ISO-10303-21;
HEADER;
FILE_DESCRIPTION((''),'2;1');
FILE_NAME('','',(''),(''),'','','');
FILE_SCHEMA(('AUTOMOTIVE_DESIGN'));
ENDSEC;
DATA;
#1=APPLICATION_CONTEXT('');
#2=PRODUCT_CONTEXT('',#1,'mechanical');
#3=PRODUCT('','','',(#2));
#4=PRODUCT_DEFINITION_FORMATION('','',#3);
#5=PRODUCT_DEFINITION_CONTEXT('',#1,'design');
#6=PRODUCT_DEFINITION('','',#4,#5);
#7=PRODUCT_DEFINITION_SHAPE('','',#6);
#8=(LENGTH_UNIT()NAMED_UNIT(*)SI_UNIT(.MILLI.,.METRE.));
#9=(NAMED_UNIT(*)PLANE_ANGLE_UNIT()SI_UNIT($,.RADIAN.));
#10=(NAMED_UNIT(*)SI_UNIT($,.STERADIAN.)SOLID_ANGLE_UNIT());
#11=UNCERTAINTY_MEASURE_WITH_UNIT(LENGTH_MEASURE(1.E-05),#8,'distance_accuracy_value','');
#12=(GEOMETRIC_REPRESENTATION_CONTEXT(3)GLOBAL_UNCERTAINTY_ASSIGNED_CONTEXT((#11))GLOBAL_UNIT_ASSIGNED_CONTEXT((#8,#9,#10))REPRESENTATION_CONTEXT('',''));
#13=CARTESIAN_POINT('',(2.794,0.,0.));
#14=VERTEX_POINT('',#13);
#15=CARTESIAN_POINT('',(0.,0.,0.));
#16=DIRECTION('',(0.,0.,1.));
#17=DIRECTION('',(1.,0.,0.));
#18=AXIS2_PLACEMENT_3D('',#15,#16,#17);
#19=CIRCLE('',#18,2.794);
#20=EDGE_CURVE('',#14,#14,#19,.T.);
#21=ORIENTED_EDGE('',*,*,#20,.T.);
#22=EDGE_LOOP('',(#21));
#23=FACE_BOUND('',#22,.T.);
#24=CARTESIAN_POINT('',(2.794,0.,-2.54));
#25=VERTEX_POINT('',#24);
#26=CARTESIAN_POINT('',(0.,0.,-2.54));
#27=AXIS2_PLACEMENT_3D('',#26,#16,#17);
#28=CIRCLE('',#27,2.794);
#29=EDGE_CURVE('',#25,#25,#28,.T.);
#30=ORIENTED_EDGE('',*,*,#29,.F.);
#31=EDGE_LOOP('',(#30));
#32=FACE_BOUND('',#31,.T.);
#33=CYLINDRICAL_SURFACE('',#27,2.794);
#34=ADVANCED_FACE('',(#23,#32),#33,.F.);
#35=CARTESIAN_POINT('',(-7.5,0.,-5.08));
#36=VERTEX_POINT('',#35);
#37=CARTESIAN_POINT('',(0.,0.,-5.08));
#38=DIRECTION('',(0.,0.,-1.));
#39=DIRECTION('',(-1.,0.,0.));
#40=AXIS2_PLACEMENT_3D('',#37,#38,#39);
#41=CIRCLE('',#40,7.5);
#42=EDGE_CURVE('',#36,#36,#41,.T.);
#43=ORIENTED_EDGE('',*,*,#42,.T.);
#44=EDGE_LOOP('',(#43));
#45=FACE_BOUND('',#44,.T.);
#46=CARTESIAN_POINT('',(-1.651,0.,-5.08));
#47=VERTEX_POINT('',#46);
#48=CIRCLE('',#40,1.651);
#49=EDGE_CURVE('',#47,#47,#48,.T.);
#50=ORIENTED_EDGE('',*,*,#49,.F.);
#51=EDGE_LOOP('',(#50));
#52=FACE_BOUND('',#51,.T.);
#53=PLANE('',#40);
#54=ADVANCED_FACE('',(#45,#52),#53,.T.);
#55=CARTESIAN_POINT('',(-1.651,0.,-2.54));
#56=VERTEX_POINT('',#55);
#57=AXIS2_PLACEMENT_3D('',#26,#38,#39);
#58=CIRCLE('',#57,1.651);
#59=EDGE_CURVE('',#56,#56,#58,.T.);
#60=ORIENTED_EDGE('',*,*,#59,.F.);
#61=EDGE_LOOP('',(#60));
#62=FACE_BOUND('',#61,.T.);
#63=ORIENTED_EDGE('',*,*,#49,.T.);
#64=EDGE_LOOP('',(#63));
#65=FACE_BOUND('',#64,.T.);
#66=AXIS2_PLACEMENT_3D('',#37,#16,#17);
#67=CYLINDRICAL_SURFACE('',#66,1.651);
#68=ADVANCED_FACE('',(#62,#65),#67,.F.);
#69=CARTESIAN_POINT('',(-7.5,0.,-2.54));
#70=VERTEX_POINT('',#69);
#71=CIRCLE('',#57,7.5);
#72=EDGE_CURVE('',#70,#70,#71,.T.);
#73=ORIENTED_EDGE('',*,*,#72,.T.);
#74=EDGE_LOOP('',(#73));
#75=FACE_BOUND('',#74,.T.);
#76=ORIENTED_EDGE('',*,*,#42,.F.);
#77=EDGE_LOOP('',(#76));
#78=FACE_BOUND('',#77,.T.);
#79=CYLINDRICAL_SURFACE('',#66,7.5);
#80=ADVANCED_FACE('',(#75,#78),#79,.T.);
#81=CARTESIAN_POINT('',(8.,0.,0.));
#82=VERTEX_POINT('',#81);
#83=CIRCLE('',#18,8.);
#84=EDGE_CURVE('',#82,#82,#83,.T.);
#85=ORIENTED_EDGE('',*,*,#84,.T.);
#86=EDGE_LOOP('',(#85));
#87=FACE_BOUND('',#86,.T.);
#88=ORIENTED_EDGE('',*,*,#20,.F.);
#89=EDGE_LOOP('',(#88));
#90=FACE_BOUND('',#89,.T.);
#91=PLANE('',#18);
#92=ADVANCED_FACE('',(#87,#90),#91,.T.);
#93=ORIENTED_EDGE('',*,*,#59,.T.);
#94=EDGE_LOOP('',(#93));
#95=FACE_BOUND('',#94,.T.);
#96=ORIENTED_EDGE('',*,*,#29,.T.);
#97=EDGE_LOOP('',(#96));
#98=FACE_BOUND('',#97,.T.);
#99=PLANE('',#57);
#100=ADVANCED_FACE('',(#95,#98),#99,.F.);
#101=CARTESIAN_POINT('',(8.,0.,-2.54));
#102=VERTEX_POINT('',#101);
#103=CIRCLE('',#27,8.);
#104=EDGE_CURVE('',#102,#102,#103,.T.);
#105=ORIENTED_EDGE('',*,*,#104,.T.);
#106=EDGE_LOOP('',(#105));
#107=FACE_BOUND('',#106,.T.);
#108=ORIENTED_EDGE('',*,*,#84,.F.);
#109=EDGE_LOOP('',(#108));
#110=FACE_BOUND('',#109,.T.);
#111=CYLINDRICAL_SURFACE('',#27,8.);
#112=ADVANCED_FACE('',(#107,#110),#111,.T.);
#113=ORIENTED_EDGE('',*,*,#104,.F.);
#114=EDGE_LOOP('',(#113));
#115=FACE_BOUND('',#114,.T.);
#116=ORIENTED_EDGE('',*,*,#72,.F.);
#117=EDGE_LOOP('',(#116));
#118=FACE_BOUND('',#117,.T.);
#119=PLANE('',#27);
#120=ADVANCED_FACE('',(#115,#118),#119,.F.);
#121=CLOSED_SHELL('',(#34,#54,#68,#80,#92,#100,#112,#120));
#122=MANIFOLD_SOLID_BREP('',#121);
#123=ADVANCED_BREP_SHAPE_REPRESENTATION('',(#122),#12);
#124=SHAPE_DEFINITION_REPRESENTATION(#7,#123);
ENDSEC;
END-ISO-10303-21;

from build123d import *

# Parameters (mm, degrees)
SKETCH1_R           = 8
SKETCH1_R_2         = 2.794
BOSS_EXTRUDE1_DEPTH = 2.54
SKETCH2_R           = 7.5
SKETCH2_R_2         = 1.651
BOSS_EXTRUDE2_DEPTH = 2.54


with BuildPart() as part:
    # Sketch1 → Boss-Extrude1 (new body)
    with BuildSketch(Plane.XY):
        Circle(SKETCH1_R)
        Circle(SKETCH1_R_2, mode=Mode.SUBTRACT)
    extrude(amount=-BOSS_EXTRUDE1_DEPTH)

    # Sketch2 → Boss-Extrude2 (add)
    with BuildSketch(Plane(origin=(0, 0, -2.54), x_dir=(-1, 0, 0), z_dir=(0, 0, -1))):
        Circle(SKETCH2_R)
        Circle(SKETCH2_R_2, mode=Mode.SUBTRACT)
    extrude(amount=BOSS_EXTRUDE2_DEPTH)


solid = part.part
